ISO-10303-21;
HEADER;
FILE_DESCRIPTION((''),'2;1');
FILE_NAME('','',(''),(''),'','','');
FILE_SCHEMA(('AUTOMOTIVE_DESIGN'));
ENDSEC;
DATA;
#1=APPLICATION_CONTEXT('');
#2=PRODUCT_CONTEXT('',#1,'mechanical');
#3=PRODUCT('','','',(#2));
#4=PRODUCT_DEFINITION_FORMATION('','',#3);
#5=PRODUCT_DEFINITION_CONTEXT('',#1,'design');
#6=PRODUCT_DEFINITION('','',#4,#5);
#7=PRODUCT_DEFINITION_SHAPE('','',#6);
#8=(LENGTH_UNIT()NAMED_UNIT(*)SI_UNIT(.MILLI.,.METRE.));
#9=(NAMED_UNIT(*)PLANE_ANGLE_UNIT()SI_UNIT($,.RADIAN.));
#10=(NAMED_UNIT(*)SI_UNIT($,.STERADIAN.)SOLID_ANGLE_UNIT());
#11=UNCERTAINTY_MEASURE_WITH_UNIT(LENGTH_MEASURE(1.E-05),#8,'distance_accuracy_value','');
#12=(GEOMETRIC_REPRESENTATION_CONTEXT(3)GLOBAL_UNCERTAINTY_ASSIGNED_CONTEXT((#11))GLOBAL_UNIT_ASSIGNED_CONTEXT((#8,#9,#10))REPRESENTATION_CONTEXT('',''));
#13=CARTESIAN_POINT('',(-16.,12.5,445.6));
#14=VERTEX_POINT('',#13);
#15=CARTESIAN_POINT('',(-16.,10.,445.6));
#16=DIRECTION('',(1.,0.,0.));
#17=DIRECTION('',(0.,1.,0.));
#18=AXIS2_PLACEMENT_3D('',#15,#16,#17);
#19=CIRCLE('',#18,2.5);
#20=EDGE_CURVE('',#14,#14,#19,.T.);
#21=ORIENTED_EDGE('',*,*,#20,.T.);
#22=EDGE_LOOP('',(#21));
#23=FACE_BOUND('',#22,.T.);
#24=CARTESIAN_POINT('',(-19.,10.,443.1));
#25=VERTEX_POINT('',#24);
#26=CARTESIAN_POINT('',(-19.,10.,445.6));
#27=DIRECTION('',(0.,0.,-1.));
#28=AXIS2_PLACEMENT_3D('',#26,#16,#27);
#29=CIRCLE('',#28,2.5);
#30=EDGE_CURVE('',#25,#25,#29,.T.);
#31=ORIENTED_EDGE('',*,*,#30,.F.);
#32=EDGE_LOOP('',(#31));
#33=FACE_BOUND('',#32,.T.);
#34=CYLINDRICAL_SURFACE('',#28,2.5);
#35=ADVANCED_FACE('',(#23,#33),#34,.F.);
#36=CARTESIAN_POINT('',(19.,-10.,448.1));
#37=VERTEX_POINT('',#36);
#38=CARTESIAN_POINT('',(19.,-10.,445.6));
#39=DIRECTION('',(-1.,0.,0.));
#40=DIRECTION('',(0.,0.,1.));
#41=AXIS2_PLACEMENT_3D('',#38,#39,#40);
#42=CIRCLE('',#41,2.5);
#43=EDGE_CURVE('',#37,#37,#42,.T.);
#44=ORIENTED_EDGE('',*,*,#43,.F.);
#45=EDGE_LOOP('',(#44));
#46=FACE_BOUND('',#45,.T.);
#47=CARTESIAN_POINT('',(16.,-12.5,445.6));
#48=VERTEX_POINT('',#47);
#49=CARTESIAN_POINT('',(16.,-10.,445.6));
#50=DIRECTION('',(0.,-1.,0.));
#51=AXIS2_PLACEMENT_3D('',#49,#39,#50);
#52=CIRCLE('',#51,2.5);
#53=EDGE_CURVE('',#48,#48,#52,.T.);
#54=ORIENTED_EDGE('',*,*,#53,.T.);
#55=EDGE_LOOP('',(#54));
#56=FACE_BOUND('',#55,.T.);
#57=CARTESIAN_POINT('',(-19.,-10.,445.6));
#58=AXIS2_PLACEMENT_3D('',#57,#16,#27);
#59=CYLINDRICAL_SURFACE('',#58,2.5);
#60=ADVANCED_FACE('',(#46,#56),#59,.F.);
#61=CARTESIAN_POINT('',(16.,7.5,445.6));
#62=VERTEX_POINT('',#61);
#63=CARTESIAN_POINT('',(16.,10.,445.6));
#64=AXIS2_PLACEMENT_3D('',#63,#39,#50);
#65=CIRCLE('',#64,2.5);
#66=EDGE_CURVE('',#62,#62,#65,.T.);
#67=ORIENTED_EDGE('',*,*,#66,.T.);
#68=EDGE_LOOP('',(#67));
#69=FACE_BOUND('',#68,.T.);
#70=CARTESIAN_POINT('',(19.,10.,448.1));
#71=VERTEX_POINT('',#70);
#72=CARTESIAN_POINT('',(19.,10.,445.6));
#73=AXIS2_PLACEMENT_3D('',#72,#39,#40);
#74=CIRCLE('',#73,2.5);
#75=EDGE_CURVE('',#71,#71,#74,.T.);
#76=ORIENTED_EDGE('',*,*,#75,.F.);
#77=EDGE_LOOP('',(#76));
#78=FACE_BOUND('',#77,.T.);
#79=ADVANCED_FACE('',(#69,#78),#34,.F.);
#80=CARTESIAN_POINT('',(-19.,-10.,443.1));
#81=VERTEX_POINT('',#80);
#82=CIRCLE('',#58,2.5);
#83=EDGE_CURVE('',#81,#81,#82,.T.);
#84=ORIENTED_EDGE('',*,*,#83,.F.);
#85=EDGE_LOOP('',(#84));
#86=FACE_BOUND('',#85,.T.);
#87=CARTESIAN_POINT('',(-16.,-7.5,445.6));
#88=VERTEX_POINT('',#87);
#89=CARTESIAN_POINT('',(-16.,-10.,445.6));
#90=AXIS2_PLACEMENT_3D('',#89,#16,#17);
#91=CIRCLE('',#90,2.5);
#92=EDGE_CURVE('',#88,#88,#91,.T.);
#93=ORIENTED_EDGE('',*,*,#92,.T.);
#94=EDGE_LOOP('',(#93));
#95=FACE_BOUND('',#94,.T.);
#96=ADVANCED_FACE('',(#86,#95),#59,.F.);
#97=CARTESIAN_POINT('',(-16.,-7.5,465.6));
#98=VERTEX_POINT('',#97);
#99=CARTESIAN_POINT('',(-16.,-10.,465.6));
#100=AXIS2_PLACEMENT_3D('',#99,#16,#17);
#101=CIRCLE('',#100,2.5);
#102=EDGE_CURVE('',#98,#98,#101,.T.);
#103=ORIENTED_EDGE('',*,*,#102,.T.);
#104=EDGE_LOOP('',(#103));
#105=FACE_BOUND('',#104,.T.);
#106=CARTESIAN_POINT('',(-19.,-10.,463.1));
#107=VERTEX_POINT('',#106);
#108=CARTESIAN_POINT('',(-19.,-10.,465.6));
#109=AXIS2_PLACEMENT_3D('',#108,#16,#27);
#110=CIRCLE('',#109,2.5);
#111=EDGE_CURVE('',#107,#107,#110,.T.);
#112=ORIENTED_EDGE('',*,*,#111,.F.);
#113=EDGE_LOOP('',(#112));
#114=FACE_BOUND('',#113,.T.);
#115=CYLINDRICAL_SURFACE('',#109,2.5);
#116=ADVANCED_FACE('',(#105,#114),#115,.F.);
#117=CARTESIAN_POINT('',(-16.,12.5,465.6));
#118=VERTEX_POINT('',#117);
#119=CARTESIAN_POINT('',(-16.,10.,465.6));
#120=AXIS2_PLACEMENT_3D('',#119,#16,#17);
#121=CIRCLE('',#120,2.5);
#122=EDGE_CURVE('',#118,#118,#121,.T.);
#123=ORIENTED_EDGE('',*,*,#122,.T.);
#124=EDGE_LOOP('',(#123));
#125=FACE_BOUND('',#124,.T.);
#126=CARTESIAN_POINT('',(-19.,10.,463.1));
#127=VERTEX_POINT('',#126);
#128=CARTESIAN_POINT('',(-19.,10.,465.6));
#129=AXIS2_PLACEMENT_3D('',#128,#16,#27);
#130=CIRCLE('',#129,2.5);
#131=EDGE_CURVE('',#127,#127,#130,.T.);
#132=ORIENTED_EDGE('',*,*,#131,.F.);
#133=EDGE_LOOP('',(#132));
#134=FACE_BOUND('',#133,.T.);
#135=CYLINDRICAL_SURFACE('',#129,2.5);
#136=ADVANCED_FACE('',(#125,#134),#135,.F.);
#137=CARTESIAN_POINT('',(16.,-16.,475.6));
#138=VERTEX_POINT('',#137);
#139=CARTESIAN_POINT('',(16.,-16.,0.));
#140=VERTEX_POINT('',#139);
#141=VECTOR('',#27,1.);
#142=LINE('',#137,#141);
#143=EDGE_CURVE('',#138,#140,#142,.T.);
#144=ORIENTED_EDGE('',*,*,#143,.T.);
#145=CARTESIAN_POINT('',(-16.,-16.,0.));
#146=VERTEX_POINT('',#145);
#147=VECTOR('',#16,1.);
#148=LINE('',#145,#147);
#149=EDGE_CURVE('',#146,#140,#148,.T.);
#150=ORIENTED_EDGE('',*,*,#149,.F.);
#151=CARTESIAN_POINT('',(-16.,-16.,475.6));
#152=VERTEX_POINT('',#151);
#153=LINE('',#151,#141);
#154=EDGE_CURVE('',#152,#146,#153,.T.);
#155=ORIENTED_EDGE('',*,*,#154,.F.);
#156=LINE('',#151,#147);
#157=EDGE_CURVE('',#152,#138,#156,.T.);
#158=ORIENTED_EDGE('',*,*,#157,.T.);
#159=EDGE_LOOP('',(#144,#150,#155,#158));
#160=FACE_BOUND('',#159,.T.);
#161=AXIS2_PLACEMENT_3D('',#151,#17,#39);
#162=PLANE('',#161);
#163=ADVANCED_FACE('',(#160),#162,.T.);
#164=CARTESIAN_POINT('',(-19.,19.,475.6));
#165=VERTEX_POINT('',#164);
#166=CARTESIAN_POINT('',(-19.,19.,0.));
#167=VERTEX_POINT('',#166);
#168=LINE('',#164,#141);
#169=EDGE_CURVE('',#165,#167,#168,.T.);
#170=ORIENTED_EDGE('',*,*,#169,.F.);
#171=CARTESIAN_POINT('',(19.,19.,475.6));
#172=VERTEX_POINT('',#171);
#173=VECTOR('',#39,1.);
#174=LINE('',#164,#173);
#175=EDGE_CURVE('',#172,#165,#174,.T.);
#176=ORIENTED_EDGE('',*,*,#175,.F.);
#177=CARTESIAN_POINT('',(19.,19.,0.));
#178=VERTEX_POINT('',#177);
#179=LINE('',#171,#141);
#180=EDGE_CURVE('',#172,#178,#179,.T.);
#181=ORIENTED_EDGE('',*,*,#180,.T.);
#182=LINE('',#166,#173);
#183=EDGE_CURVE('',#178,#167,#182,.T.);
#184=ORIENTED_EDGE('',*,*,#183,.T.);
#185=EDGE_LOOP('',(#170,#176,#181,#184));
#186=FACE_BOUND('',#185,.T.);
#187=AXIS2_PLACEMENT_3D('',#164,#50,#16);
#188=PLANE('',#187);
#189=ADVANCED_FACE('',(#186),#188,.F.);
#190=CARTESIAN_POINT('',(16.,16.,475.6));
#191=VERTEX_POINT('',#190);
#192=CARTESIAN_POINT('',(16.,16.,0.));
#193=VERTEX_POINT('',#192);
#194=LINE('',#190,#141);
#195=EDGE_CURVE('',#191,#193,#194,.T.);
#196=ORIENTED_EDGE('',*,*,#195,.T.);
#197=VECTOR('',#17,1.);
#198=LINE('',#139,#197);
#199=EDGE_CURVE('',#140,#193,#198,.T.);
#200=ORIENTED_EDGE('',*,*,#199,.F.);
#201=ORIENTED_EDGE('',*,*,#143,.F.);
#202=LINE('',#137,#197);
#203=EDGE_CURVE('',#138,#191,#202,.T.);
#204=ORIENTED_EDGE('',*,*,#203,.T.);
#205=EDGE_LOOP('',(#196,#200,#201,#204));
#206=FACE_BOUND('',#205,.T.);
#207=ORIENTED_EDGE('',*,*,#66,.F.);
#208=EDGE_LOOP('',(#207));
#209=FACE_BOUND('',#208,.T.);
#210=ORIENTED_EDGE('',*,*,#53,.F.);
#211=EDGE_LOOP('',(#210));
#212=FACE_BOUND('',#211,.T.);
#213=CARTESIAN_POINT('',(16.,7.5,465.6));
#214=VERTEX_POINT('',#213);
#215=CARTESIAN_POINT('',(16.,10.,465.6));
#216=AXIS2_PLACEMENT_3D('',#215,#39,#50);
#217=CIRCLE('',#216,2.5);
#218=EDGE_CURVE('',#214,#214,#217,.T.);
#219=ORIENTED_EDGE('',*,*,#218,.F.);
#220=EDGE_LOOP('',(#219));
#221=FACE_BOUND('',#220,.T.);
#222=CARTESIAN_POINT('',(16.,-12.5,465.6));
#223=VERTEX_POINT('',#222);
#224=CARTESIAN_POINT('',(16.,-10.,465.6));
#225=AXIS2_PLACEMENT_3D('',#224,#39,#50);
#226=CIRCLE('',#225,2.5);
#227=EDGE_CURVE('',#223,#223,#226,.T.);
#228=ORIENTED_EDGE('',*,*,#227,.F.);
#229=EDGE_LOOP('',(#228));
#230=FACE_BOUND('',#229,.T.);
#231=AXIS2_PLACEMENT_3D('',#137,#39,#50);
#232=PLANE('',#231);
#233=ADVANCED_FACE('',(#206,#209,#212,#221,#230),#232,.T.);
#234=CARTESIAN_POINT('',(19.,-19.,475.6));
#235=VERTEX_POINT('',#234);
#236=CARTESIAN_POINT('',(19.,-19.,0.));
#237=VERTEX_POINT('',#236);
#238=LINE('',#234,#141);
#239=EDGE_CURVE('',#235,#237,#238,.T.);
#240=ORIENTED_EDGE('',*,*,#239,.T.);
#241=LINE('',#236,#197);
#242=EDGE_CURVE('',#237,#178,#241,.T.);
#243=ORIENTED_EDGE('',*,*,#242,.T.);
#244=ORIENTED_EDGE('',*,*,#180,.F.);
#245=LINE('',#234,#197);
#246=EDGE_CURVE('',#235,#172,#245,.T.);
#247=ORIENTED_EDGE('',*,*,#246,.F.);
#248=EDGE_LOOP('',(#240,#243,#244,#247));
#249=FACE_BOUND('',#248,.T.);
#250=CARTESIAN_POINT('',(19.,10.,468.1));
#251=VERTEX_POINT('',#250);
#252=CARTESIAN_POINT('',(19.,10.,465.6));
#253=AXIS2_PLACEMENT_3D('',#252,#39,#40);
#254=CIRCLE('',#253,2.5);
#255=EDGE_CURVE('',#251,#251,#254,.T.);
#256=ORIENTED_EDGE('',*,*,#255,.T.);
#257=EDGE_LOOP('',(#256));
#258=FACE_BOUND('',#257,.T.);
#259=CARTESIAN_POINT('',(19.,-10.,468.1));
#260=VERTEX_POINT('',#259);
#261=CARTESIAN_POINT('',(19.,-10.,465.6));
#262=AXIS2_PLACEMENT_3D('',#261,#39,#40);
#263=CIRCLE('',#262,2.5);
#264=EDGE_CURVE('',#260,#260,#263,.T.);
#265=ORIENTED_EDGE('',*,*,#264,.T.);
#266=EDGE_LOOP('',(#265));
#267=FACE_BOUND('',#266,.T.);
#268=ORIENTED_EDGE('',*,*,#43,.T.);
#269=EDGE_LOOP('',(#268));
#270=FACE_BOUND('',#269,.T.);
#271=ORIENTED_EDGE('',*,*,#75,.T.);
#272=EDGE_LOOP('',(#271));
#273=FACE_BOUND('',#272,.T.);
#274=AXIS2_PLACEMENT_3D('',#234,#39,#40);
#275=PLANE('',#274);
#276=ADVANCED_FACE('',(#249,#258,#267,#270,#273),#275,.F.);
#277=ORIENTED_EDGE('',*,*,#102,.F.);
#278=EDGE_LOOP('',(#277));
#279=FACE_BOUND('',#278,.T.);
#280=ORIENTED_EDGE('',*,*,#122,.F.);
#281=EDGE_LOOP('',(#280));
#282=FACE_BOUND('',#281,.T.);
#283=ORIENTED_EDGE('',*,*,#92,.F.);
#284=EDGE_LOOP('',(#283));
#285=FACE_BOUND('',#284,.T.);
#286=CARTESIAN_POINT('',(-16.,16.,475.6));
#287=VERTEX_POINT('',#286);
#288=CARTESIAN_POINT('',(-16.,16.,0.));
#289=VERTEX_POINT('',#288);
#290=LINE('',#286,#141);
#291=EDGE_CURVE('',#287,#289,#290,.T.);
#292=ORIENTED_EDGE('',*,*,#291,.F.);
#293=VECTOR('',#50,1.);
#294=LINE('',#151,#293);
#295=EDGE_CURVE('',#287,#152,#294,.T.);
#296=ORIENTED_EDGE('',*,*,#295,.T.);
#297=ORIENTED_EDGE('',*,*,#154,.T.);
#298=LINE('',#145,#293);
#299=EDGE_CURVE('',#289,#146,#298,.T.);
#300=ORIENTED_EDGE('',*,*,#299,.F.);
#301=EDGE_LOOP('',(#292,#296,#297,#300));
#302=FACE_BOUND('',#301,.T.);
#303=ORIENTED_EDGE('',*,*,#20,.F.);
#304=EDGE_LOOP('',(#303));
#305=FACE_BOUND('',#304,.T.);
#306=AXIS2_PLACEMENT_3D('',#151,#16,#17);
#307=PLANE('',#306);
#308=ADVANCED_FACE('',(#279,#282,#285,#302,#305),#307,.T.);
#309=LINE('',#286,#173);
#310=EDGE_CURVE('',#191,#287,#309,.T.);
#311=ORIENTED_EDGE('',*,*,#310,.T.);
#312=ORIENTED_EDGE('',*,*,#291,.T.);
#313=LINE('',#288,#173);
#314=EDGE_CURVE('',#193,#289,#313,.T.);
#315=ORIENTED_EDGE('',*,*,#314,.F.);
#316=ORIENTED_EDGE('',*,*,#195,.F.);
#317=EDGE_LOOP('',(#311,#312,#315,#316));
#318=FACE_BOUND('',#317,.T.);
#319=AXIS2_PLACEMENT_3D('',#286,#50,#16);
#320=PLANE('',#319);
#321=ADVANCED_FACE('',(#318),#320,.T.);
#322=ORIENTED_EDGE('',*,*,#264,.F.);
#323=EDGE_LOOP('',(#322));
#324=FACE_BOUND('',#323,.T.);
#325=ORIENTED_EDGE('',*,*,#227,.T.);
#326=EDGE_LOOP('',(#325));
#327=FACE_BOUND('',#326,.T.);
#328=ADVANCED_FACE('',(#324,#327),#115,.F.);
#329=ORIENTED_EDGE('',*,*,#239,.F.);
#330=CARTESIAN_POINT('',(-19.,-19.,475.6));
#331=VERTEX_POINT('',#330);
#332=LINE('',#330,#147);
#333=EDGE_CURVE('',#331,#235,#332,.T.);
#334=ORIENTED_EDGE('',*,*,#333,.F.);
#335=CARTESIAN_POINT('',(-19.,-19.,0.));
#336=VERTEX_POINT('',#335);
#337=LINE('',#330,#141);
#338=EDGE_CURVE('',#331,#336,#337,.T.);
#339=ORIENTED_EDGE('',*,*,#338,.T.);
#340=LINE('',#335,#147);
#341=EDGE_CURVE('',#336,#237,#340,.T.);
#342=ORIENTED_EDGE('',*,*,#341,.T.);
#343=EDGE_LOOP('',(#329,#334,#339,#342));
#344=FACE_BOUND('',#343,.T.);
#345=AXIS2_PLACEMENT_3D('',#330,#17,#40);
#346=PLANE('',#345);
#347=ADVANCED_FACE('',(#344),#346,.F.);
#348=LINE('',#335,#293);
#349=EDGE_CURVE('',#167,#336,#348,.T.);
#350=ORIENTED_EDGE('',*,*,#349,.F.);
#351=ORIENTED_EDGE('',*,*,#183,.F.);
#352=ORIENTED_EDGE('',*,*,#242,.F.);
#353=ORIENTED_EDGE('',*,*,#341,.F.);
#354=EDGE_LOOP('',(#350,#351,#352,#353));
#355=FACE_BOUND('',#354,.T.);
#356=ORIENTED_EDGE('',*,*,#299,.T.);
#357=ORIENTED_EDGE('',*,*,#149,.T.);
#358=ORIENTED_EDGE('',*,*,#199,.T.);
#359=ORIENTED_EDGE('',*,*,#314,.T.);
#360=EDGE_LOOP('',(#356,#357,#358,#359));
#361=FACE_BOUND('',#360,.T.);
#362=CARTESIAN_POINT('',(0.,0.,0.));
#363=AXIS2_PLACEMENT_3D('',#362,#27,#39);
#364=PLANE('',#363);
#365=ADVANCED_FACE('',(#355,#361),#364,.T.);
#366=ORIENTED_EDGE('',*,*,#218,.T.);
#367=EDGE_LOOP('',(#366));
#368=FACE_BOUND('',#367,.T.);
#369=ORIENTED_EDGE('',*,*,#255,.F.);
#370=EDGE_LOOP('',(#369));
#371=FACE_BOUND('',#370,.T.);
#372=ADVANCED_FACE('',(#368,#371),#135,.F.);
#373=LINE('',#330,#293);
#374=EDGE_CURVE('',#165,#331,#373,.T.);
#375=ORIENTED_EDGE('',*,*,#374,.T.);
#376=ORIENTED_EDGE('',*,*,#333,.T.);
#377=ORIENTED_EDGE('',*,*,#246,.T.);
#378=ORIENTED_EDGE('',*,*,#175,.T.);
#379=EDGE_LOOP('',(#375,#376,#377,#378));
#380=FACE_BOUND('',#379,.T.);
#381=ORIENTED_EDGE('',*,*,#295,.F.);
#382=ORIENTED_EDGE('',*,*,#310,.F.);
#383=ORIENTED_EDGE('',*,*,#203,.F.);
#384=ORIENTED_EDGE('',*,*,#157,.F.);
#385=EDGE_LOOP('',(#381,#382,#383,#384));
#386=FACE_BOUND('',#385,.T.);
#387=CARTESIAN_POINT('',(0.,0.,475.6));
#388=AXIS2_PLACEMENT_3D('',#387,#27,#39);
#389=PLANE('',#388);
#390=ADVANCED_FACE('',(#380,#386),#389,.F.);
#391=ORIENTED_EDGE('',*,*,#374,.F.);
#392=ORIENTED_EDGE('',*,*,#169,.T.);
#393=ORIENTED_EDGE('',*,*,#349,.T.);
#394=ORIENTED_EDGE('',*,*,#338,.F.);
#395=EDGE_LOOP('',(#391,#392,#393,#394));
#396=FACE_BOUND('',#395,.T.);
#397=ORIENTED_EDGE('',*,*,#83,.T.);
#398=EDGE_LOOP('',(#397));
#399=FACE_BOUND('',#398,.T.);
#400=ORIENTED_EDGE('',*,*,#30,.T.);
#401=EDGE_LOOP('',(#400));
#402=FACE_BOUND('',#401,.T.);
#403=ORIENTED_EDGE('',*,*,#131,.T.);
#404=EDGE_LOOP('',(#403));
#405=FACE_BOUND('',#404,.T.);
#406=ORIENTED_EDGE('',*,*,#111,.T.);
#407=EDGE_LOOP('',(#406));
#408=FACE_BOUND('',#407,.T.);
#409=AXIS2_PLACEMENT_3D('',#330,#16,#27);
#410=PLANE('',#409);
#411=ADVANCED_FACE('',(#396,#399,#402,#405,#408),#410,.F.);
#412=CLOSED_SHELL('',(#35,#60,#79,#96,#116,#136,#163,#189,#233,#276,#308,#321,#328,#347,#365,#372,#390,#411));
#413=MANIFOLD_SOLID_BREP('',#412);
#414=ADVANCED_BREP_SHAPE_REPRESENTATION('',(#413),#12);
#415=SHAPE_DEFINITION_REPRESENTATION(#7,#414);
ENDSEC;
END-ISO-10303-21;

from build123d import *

# Parameters (mm, degrees)
SKETCH1_W               = 38
SKETCH1_H               = 38
SKETCH1_W_2             = 32
SKETCH1_H_2             = 32
BOSS_EXTRUDE1_DEPTH     = 475.6
CUT_EXTRUDE2_DEPTH      = 478.493832421
CUT_EXTRUDE2_DEPTH_BACK = 478.493832421
SKETCH3_R               = 2.5


with BuildPart() as part:
    # Sketch1 → Boss-Extrude1 (new body)
    with BuildSketch(Plane.XY):
        Rectangle(SKETCH1_W, SKETCH1_H)
        Rectangle(SKETCH1_W_2, SKETCH1_H_2, mode=Mode.SUBTRACT)
    extrude(amount=BOSS_EXTRUDE1_DEPTH)

    # Sketch3 → Cut-Extrude2 (cut, two sides: drawn at the far end of the back side and taken through both)
    with BuildSketch(Plane(origin=(19, 0, 0), x_dir=(0, 0, -1), z_dir=(1, 0, 0)).offset(-CUT_EXTRUDE2_DEPTH_BACK)):
        with Locations(Location((-465.6, 10, 0), (0, 0, 270))):
            Circle(SKETCH3_R)
        with Locations(Location((-445.6, 10, 0), (0, 0, 270))):
            Circle(SKETCH3_R)
        with Locations(Location((-445.6, -10, 0), (0, 0, 270))):
            Circle(SKETCH3_R)
        with Locations(Location((-465.6, -10, 0), (0, 0, 270))):
            Circle(SKETCH3_R)
    extrude(amount=CUT_EXTRUDE2_DEPTH + CUT_EXTRUDE2_DEPTH_BACK, mode=Mode.SUBTRACT)


solid = part.part
